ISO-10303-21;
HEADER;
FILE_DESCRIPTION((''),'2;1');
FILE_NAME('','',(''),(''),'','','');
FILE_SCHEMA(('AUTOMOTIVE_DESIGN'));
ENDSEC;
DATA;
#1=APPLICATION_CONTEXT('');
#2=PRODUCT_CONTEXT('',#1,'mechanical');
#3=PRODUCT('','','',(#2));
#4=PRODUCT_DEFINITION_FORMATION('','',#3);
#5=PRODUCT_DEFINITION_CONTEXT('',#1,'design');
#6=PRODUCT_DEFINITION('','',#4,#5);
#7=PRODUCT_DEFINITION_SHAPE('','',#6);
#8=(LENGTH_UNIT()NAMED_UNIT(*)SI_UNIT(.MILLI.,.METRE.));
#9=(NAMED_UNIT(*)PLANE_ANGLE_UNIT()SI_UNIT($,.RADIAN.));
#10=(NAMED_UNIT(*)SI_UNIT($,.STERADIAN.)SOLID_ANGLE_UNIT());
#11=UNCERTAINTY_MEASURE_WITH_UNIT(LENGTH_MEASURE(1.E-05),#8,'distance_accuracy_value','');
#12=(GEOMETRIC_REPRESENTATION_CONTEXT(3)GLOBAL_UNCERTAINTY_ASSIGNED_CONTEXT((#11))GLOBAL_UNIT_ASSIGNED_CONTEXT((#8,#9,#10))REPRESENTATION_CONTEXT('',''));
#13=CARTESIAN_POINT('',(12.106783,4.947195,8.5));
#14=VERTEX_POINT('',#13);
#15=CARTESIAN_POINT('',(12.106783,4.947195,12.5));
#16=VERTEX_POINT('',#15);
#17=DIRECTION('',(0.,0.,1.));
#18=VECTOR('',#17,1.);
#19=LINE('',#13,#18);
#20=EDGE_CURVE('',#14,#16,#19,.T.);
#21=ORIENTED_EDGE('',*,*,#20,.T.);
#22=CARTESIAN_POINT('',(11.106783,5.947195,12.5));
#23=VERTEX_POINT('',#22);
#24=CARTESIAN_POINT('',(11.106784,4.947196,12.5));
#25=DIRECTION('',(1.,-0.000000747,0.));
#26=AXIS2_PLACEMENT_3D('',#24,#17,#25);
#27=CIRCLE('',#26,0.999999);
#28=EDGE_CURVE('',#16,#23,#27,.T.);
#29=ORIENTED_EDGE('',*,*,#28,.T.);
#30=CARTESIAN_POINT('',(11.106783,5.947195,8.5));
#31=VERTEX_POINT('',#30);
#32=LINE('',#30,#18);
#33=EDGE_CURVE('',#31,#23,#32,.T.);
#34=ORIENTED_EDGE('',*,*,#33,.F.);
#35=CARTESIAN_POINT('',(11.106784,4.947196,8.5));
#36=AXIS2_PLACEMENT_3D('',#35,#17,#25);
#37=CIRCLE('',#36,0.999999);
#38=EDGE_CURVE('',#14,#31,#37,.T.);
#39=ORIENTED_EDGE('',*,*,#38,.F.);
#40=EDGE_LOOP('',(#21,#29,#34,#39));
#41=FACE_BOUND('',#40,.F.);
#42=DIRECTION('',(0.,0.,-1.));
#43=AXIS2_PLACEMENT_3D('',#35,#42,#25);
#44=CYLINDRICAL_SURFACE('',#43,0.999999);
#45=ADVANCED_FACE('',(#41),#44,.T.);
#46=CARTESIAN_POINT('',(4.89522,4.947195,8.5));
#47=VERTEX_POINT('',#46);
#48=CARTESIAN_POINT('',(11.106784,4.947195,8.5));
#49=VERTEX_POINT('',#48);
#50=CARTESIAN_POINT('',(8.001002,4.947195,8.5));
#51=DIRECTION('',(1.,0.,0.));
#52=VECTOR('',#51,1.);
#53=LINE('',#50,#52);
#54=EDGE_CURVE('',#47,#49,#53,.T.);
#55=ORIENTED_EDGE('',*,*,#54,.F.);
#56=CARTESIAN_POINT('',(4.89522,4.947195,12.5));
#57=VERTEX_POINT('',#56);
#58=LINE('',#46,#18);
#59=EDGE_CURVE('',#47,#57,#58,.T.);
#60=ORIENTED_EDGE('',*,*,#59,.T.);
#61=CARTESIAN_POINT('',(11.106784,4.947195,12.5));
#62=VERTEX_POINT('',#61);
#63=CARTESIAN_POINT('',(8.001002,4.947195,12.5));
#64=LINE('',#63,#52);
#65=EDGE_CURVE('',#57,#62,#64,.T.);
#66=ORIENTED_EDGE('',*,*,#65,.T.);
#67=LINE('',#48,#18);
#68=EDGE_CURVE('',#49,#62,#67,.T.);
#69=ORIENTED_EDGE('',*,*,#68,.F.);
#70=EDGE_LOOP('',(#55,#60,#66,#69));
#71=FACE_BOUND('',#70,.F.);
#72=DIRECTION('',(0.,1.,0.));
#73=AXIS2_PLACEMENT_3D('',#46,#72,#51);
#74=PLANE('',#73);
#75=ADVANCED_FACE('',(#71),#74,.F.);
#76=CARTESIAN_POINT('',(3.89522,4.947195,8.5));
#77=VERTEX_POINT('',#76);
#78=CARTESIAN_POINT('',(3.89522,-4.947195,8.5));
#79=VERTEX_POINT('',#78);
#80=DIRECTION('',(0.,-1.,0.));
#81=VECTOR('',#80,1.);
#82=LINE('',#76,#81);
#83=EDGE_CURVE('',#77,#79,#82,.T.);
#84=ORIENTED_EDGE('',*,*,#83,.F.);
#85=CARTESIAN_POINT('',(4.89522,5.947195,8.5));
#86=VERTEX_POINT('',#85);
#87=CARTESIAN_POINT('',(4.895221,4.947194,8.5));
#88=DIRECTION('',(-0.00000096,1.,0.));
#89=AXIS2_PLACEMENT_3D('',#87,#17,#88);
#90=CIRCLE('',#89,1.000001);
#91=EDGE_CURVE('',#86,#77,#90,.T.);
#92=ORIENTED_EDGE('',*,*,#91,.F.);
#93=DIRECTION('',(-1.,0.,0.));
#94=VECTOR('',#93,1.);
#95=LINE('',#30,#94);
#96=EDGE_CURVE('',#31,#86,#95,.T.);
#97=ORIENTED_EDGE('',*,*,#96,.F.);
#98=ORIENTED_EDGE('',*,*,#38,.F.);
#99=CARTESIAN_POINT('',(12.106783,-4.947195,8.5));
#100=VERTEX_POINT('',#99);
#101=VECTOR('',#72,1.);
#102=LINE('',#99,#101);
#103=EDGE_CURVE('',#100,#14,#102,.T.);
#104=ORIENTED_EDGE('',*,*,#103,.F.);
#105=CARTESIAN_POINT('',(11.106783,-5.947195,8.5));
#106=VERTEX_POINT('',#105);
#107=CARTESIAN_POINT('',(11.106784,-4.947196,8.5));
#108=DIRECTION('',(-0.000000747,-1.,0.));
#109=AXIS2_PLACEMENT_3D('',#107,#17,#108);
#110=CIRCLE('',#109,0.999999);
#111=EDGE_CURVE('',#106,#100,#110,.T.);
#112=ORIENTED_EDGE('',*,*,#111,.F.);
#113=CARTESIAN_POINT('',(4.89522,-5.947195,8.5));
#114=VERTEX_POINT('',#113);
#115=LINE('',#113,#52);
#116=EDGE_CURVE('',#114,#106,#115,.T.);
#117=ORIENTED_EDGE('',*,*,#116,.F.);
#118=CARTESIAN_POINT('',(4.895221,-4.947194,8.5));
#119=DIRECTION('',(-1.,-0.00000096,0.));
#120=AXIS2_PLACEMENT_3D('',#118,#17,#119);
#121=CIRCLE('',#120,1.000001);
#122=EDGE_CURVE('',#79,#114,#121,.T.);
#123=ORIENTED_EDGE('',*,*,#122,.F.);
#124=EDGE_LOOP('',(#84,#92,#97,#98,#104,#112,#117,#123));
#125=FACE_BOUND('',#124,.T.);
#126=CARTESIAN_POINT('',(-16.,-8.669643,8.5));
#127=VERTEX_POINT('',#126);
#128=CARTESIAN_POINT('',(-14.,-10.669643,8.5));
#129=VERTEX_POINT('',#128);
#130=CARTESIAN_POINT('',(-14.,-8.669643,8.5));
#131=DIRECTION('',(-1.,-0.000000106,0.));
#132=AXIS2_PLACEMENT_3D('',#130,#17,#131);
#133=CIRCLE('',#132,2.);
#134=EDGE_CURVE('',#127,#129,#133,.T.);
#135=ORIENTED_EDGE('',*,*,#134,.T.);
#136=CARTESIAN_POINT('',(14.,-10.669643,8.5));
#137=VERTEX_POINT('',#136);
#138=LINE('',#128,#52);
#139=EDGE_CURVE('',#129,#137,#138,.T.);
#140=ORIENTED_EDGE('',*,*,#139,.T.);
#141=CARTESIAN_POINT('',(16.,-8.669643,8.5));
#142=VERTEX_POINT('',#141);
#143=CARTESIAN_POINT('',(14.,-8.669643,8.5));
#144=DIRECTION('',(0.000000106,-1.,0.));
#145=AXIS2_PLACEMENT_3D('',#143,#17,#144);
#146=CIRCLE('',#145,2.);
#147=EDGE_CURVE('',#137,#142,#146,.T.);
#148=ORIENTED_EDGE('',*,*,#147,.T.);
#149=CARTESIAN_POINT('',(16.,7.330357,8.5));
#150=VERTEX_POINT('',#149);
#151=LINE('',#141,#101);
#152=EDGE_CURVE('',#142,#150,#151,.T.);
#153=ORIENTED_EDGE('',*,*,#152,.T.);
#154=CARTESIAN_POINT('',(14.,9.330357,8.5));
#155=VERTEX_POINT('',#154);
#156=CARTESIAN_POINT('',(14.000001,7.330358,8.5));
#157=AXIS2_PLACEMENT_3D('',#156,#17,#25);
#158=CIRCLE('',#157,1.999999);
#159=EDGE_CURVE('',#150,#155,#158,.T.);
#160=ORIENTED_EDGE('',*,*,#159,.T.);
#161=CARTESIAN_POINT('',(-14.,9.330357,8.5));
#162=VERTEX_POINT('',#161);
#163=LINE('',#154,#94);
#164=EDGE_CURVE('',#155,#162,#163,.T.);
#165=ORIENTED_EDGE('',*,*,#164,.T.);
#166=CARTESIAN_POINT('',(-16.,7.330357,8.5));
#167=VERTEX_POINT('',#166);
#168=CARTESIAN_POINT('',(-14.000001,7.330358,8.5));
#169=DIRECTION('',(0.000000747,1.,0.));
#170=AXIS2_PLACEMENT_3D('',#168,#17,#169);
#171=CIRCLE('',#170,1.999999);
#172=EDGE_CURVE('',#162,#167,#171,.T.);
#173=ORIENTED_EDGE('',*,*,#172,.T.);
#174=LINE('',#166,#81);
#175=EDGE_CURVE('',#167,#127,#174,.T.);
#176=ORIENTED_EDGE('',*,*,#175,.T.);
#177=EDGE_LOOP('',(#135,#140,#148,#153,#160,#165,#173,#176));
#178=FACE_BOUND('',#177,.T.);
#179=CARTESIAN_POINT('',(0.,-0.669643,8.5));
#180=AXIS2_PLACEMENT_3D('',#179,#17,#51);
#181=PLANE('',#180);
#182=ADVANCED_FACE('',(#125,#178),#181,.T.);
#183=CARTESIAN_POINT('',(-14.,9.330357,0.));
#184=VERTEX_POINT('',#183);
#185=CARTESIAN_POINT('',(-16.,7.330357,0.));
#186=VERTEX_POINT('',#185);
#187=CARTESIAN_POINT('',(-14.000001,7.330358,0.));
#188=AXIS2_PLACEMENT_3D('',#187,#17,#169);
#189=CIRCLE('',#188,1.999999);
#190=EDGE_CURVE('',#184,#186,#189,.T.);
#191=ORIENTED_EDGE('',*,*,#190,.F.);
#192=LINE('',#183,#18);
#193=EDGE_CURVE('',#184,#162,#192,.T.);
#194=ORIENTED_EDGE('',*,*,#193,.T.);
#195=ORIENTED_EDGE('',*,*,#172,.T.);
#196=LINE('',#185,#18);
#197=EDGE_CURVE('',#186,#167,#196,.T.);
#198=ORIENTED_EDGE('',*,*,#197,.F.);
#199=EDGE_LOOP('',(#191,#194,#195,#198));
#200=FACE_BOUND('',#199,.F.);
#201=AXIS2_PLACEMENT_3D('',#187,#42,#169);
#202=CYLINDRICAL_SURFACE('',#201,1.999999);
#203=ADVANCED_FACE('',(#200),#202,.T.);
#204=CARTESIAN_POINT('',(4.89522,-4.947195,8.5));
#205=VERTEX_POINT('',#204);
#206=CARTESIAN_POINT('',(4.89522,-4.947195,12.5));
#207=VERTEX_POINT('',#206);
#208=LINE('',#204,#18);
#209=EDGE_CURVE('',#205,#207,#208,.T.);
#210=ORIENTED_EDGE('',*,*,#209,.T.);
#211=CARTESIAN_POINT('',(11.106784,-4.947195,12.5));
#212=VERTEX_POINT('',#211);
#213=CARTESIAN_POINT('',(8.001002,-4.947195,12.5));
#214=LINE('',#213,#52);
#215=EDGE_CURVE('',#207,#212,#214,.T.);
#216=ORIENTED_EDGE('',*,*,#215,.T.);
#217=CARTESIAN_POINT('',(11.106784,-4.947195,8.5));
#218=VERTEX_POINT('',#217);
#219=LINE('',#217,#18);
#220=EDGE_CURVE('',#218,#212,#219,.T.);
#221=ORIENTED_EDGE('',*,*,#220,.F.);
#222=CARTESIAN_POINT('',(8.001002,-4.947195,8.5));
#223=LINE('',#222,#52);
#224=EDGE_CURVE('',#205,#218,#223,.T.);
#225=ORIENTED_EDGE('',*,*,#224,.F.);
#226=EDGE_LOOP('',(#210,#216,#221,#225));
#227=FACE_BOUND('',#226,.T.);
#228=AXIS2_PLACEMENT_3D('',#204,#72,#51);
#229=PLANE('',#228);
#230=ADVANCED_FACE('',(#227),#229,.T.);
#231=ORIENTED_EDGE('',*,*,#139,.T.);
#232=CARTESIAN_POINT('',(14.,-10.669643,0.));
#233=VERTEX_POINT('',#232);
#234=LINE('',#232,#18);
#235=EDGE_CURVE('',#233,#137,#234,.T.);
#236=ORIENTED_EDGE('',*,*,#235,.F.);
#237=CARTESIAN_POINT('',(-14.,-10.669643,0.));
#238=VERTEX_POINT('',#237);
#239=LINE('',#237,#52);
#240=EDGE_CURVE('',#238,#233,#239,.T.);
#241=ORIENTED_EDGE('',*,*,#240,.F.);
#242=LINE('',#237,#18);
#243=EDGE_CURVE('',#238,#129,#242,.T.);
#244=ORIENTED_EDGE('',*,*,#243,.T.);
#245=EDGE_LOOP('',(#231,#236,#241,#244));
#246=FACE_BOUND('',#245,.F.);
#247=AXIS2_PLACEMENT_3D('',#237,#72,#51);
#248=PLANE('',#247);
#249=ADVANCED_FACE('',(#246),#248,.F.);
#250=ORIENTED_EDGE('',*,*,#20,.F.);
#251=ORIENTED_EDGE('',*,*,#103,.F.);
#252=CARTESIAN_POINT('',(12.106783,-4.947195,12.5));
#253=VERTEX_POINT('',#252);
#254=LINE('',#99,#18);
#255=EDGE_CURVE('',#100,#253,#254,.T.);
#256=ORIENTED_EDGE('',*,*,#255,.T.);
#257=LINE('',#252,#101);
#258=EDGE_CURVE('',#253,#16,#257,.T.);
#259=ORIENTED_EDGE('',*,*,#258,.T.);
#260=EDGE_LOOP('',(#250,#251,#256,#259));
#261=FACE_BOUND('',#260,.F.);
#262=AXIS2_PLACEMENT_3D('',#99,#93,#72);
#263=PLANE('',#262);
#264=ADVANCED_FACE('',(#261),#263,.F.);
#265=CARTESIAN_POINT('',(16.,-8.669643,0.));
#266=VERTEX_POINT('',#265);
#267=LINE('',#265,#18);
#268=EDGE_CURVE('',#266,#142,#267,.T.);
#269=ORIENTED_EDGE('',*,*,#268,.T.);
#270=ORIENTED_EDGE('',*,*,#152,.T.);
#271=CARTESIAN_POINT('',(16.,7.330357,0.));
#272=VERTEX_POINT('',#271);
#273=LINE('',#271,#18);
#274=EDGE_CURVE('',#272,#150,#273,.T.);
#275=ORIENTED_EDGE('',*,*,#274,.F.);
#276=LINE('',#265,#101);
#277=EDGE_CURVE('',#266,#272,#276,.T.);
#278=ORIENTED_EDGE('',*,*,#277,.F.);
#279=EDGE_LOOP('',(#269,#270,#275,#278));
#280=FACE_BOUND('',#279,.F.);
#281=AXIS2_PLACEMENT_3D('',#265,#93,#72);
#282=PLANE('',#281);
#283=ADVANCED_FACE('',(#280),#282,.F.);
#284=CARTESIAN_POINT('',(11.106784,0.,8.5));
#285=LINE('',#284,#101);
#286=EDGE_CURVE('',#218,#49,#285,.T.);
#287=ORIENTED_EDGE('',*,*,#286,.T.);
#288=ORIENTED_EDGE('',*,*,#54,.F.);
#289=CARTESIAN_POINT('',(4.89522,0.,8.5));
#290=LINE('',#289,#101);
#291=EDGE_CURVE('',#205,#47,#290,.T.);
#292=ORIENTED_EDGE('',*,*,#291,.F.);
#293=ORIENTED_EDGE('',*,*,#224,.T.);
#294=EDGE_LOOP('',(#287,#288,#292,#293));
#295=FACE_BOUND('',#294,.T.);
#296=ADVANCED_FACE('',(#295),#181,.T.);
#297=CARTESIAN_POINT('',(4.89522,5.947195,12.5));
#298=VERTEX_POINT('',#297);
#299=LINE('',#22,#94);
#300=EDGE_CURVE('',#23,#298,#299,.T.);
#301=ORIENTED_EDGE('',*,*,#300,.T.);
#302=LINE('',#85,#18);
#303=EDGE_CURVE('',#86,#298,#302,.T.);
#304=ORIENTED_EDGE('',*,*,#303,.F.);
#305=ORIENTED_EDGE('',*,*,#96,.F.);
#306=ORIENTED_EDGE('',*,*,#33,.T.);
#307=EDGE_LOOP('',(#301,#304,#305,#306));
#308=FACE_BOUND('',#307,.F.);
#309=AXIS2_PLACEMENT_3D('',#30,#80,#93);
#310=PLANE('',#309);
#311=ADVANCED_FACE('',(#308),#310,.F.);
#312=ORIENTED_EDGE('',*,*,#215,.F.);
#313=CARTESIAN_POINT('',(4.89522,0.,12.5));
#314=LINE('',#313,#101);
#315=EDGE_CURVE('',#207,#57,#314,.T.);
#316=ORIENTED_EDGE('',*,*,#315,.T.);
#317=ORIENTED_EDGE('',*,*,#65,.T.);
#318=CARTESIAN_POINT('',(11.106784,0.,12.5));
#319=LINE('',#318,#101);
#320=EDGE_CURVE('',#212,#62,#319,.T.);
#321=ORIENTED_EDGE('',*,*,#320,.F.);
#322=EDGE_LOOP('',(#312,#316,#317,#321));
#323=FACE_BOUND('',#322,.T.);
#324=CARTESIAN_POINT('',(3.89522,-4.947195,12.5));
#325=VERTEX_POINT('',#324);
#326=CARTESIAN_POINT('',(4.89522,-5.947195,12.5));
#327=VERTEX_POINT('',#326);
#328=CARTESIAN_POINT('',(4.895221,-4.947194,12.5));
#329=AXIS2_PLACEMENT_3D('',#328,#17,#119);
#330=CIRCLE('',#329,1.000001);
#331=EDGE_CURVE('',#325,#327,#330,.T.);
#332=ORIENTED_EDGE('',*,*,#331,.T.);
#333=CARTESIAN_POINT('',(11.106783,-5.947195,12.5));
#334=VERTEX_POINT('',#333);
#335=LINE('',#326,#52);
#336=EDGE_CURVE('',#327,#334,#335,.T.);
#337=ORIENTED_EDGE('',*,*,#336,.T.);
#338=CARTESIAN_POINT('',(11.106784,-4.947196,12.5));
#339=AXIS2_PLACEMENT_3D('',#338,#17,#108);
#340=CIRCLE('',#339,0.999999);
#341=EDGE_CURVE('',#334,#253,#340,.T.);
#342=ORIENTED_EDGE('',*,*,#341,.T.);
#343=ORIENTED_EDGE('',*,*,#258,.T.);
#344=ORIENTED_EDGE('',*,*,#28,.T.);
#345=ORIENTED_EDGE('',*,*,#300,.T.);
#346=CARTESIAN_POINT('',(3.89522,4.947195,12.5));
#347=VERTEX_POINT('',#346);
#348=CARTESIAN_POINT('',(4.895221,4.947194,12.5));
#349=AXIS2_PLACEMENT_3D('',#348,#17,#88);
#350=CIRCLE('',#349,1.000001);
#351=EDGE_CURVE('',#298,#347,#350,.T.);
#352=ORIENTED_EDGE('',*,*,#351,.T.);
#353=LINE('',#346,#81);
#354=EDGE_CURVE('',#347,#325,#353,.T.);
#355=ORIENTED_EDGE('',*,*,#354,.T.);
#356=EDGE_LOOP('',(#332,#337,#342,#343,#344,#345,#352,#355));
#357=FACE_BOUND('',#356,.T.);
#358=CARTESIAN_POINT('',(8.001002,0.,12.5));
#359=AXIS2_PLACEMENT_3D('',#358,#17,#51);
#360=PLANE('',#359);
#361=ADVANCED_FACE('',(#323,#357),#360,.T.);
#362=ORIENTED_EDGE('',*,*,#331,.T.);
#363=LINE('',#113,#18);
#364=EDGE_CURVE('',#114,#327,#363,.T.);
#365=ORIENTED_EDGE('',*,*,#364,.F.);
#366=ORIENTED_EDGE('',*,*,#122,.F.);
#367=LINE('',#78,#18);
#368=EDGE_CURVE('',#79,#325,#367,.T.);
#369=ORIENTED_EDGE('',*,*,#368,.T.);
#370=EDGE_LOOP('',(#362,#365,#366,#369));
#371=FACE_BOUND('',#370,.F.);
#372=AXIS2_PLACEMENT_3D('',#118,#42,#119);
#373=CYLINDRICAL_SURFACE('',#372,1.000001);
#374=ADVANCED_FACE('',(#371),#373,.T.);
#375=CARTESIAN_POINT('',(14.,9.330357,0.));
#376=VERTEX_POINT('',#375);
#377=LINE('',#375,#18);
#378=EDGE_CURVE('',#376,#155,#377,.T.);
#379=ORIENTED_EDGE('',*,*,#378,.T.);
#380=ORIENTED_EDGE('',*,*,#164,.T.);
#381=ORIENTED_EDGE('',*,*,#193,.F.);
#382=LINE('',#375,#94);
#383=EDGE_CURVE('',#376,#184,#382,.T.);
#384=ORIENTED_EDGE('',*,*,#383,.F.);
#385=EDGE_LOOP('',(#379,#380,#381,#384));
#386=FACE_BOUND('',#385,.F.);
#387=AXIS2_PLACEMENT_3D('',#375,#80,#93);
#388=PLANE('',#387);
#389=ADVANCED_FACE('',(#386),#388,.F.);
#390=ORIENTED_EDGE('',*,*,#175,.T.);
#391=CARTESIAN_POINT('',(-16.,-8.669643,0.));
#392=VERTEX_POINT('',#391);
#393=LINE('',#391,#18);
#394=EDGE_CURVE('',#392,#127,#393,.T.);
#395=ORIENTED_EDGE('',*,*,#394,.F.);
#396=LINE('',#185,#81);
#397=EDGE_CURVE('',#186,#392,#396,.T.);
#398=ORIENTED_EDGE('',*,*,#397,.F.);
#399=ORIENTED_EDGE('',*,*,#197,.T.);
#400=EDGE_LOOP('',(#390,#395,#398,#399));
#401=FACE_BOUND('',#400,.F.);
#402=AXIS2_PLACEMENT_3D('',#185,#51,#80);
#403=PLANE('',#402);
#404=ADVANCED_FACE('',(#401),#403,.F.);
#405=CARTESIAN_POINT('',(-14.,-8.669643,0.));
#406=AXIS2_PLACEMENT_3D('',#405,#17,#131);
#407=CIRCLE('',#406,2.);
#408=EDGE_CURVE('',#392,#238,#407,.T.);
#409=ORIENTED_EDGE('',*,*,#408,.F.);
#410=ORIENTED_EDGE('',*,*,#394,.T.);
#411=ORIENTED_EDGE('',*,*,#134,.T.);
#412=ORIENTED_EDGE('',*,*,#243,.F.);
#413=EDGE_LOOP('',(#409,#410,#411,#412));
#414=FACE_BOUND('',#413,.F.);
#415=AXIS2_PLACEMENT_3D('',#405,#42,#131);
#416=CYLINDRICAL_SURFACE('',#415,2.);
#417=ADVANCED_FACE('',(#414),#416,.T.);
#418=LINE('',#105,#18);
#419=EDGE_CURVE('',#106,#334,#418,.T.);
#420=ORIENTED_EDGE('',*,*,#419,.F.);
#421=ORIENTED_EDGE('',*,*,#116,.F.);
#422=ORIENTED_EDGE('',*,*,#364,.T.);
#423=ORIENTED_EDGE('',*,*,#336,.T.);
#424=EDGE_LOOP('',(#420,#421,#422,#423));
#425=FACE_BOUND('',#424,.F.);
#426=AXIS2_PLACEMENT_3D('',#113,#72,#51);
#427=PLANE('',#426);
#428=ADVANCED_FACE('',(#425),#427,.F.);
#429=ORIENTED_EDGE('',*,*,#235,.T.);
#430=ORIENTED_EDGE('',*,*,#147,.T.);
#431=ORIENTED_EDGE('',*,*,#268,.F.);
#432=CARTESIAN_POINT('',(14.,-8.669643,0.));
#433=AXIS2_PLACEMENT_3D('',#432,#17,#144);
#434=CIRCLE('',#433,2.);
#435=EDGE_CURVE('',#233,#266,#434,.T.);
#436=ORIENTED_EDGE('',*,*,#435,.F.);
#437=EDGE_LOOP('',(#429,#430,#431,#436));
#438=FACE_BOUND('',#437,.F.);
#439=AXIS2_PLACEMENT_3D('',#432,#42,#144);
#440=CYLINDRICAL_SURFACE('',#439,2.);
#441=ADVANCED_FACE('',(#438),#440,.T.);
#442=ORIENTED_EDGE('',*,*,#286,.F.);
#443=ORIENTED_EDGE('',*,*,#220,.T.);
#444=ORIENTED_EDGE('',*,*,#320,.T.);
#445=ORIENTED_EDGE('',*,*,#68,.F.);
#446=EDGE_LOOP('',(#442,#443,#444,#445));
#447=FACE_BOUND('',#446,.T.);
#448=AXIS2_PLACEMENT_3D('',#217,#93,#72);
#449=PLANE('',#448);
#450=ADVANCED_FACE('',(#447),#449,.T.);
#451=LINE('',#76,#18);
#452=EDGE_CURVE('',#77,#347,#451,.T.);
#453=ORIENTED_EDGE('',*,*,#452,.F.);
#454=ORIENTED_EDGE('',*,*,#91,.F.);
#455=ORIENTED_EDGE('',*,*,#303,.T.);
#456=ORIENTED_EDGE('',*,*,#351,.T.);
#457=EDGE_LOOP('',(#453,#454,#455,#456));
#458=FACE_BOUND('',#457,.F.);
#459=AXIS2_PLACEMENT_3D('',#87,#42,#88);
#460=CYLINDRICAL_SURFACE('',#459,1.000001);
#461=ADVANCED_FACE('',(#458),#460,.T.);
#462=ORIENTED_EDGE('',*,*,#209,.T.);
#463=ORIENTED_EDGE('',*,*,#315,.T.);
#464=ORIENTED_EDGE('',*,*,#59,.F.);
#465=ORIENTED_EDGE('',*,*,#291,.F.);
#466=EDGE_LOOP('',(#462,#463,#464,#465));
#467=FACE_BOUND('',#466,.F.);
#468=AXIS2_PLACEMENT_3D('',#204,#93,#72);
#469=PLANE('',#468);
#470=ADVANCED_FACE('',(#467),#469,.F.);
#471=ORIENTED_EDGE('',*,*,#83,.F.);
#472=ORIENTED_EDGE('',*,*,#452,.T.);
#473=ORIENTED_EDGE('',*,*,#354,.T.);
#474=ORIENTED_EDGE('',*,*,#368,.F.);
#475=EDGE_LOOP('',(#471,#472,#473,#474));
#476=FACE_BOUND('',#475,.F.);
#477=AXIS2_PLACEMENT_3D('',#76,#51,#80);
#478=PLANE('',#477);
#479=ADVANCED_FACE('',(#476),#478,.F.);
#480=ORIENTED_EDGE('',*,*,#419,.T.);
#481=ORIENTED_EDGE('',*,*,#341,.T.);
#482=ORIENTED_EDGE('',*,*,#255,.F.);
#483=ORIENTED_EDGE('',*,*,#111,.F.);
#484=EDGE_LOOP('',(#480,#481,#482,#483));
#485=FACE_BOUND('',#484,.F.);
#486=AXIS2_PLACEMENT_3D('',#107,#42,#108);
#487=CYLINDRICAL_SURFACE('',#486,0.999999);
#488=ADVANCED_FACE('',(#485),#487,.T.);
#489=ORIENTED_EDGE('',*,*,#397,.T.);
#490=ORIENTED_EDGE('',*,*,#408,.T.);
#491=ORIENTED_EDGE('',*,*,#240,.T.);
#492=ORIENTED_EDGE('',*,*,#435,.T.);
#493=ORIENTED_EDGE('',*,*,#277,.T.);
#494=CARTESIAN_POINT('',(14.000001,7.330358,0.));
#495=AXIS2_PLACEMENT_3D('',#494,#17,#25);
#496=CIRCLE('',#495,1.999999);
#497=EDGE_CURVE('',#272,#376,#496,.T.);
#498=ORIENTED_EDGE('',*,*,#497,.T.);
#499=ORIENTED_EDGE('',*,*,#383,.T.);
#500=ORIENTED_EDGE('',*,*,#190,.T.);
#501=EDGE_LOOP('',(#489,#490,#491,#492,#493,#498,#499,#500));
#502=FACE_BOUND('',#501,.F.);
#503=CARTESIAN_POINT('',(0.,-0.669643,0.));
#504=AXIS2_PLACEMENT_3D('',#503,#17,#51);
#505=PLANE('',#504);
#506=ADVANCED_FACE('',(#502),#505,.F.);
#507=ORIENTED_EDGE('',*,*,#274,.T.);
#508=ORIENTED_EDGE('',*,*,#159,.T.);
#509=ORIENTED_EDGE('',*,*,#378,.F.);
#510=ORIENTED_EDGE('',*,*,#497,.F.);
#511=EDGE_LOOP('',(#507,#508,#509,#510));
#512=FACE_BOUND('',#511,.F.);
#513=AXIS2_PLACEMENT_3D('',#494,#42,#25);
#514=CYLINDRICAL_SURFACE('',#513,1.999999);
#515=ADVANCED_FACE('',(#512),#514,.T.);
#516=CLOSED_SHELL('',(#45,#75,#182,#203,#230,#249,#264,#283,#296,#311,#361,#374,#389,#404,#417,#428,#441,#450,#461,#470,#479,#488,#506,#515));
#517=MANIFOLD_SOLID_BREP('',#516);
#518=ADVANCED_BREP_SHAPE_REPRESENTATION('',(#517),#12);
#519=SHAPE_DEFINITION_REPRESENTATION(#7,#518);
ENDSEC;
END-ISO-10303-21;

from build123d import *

# Parameters (mm, degrees)
F1_DEPTH = 8.5
F2_W     = 6.211563
F2_H     = 9.89439
F3_DEPTH = 4


with BuildPart() as f1:
    # F0 (on Top) → F1 (new body)
    with BuildSketch(Plane.XY):
        with BuildLine():
            ThreePointArc((16, 7.330357), (15.414214, 8.744571), (14, 9.330357))
            Line((14, 9.330357), (-14, 9.330357))
            ThreePointArc((-14, 9.330357), (-15.414214, 8.744571), (-16, 7.330357))
            Line((-16, 7.330357), (-16, -8.669643))
            ThreePointArc((-16, -8.669643), (-15.414214, -10.083856), (-14, -10.669643))
            Line((-14, -10.669643), (14, -10.669643))
            ThreePointArc((14, -10.669643), (15.414214, -10.083856), (16, -8.669643))
            Line((16, -8.669643), (16, 7.330357))
        make_face()
    extrude(amount=F1_DEPTH)

    # F2 (on face) → F3 (join)
    with BuildSketch(Plane.XY.offset(8.5)):
        with BuildLine():
            ThreePointArc((12.106783, 4.947195), (11.81389, 5.654302), (11.106783, 5.947195))
            Line((11.106783, 5.947195), (4.89522, 5.947195))
            ThreePointArc((4.89522, 5.947195), (4.188114, 5.654302), (3.89522, 4.947195))
            Line((3.89522, 4.947195), (3.89522, -4.947195))
            ThreePointArc((3.89522, -4.947195), (4.188114, -5.654302), (4.89522, -5.947195))
            Line((4.89522, -5.947195), (11.106783, -5.947195))
            ThreePointArc((11.106783, -5.947195), (11.81389, -5.654302), (12.106783, -4.947195))
            Line((12.106783, -4.947195), (12.106783, 4.947195))
        make_face()
        with Locations((8.001002, 0)):
            Rectangle(F2_W, F2_H, mode=Mode.SUBTRACT)
    extrude(amount=F3_DEPTH)


solid = f1.part
